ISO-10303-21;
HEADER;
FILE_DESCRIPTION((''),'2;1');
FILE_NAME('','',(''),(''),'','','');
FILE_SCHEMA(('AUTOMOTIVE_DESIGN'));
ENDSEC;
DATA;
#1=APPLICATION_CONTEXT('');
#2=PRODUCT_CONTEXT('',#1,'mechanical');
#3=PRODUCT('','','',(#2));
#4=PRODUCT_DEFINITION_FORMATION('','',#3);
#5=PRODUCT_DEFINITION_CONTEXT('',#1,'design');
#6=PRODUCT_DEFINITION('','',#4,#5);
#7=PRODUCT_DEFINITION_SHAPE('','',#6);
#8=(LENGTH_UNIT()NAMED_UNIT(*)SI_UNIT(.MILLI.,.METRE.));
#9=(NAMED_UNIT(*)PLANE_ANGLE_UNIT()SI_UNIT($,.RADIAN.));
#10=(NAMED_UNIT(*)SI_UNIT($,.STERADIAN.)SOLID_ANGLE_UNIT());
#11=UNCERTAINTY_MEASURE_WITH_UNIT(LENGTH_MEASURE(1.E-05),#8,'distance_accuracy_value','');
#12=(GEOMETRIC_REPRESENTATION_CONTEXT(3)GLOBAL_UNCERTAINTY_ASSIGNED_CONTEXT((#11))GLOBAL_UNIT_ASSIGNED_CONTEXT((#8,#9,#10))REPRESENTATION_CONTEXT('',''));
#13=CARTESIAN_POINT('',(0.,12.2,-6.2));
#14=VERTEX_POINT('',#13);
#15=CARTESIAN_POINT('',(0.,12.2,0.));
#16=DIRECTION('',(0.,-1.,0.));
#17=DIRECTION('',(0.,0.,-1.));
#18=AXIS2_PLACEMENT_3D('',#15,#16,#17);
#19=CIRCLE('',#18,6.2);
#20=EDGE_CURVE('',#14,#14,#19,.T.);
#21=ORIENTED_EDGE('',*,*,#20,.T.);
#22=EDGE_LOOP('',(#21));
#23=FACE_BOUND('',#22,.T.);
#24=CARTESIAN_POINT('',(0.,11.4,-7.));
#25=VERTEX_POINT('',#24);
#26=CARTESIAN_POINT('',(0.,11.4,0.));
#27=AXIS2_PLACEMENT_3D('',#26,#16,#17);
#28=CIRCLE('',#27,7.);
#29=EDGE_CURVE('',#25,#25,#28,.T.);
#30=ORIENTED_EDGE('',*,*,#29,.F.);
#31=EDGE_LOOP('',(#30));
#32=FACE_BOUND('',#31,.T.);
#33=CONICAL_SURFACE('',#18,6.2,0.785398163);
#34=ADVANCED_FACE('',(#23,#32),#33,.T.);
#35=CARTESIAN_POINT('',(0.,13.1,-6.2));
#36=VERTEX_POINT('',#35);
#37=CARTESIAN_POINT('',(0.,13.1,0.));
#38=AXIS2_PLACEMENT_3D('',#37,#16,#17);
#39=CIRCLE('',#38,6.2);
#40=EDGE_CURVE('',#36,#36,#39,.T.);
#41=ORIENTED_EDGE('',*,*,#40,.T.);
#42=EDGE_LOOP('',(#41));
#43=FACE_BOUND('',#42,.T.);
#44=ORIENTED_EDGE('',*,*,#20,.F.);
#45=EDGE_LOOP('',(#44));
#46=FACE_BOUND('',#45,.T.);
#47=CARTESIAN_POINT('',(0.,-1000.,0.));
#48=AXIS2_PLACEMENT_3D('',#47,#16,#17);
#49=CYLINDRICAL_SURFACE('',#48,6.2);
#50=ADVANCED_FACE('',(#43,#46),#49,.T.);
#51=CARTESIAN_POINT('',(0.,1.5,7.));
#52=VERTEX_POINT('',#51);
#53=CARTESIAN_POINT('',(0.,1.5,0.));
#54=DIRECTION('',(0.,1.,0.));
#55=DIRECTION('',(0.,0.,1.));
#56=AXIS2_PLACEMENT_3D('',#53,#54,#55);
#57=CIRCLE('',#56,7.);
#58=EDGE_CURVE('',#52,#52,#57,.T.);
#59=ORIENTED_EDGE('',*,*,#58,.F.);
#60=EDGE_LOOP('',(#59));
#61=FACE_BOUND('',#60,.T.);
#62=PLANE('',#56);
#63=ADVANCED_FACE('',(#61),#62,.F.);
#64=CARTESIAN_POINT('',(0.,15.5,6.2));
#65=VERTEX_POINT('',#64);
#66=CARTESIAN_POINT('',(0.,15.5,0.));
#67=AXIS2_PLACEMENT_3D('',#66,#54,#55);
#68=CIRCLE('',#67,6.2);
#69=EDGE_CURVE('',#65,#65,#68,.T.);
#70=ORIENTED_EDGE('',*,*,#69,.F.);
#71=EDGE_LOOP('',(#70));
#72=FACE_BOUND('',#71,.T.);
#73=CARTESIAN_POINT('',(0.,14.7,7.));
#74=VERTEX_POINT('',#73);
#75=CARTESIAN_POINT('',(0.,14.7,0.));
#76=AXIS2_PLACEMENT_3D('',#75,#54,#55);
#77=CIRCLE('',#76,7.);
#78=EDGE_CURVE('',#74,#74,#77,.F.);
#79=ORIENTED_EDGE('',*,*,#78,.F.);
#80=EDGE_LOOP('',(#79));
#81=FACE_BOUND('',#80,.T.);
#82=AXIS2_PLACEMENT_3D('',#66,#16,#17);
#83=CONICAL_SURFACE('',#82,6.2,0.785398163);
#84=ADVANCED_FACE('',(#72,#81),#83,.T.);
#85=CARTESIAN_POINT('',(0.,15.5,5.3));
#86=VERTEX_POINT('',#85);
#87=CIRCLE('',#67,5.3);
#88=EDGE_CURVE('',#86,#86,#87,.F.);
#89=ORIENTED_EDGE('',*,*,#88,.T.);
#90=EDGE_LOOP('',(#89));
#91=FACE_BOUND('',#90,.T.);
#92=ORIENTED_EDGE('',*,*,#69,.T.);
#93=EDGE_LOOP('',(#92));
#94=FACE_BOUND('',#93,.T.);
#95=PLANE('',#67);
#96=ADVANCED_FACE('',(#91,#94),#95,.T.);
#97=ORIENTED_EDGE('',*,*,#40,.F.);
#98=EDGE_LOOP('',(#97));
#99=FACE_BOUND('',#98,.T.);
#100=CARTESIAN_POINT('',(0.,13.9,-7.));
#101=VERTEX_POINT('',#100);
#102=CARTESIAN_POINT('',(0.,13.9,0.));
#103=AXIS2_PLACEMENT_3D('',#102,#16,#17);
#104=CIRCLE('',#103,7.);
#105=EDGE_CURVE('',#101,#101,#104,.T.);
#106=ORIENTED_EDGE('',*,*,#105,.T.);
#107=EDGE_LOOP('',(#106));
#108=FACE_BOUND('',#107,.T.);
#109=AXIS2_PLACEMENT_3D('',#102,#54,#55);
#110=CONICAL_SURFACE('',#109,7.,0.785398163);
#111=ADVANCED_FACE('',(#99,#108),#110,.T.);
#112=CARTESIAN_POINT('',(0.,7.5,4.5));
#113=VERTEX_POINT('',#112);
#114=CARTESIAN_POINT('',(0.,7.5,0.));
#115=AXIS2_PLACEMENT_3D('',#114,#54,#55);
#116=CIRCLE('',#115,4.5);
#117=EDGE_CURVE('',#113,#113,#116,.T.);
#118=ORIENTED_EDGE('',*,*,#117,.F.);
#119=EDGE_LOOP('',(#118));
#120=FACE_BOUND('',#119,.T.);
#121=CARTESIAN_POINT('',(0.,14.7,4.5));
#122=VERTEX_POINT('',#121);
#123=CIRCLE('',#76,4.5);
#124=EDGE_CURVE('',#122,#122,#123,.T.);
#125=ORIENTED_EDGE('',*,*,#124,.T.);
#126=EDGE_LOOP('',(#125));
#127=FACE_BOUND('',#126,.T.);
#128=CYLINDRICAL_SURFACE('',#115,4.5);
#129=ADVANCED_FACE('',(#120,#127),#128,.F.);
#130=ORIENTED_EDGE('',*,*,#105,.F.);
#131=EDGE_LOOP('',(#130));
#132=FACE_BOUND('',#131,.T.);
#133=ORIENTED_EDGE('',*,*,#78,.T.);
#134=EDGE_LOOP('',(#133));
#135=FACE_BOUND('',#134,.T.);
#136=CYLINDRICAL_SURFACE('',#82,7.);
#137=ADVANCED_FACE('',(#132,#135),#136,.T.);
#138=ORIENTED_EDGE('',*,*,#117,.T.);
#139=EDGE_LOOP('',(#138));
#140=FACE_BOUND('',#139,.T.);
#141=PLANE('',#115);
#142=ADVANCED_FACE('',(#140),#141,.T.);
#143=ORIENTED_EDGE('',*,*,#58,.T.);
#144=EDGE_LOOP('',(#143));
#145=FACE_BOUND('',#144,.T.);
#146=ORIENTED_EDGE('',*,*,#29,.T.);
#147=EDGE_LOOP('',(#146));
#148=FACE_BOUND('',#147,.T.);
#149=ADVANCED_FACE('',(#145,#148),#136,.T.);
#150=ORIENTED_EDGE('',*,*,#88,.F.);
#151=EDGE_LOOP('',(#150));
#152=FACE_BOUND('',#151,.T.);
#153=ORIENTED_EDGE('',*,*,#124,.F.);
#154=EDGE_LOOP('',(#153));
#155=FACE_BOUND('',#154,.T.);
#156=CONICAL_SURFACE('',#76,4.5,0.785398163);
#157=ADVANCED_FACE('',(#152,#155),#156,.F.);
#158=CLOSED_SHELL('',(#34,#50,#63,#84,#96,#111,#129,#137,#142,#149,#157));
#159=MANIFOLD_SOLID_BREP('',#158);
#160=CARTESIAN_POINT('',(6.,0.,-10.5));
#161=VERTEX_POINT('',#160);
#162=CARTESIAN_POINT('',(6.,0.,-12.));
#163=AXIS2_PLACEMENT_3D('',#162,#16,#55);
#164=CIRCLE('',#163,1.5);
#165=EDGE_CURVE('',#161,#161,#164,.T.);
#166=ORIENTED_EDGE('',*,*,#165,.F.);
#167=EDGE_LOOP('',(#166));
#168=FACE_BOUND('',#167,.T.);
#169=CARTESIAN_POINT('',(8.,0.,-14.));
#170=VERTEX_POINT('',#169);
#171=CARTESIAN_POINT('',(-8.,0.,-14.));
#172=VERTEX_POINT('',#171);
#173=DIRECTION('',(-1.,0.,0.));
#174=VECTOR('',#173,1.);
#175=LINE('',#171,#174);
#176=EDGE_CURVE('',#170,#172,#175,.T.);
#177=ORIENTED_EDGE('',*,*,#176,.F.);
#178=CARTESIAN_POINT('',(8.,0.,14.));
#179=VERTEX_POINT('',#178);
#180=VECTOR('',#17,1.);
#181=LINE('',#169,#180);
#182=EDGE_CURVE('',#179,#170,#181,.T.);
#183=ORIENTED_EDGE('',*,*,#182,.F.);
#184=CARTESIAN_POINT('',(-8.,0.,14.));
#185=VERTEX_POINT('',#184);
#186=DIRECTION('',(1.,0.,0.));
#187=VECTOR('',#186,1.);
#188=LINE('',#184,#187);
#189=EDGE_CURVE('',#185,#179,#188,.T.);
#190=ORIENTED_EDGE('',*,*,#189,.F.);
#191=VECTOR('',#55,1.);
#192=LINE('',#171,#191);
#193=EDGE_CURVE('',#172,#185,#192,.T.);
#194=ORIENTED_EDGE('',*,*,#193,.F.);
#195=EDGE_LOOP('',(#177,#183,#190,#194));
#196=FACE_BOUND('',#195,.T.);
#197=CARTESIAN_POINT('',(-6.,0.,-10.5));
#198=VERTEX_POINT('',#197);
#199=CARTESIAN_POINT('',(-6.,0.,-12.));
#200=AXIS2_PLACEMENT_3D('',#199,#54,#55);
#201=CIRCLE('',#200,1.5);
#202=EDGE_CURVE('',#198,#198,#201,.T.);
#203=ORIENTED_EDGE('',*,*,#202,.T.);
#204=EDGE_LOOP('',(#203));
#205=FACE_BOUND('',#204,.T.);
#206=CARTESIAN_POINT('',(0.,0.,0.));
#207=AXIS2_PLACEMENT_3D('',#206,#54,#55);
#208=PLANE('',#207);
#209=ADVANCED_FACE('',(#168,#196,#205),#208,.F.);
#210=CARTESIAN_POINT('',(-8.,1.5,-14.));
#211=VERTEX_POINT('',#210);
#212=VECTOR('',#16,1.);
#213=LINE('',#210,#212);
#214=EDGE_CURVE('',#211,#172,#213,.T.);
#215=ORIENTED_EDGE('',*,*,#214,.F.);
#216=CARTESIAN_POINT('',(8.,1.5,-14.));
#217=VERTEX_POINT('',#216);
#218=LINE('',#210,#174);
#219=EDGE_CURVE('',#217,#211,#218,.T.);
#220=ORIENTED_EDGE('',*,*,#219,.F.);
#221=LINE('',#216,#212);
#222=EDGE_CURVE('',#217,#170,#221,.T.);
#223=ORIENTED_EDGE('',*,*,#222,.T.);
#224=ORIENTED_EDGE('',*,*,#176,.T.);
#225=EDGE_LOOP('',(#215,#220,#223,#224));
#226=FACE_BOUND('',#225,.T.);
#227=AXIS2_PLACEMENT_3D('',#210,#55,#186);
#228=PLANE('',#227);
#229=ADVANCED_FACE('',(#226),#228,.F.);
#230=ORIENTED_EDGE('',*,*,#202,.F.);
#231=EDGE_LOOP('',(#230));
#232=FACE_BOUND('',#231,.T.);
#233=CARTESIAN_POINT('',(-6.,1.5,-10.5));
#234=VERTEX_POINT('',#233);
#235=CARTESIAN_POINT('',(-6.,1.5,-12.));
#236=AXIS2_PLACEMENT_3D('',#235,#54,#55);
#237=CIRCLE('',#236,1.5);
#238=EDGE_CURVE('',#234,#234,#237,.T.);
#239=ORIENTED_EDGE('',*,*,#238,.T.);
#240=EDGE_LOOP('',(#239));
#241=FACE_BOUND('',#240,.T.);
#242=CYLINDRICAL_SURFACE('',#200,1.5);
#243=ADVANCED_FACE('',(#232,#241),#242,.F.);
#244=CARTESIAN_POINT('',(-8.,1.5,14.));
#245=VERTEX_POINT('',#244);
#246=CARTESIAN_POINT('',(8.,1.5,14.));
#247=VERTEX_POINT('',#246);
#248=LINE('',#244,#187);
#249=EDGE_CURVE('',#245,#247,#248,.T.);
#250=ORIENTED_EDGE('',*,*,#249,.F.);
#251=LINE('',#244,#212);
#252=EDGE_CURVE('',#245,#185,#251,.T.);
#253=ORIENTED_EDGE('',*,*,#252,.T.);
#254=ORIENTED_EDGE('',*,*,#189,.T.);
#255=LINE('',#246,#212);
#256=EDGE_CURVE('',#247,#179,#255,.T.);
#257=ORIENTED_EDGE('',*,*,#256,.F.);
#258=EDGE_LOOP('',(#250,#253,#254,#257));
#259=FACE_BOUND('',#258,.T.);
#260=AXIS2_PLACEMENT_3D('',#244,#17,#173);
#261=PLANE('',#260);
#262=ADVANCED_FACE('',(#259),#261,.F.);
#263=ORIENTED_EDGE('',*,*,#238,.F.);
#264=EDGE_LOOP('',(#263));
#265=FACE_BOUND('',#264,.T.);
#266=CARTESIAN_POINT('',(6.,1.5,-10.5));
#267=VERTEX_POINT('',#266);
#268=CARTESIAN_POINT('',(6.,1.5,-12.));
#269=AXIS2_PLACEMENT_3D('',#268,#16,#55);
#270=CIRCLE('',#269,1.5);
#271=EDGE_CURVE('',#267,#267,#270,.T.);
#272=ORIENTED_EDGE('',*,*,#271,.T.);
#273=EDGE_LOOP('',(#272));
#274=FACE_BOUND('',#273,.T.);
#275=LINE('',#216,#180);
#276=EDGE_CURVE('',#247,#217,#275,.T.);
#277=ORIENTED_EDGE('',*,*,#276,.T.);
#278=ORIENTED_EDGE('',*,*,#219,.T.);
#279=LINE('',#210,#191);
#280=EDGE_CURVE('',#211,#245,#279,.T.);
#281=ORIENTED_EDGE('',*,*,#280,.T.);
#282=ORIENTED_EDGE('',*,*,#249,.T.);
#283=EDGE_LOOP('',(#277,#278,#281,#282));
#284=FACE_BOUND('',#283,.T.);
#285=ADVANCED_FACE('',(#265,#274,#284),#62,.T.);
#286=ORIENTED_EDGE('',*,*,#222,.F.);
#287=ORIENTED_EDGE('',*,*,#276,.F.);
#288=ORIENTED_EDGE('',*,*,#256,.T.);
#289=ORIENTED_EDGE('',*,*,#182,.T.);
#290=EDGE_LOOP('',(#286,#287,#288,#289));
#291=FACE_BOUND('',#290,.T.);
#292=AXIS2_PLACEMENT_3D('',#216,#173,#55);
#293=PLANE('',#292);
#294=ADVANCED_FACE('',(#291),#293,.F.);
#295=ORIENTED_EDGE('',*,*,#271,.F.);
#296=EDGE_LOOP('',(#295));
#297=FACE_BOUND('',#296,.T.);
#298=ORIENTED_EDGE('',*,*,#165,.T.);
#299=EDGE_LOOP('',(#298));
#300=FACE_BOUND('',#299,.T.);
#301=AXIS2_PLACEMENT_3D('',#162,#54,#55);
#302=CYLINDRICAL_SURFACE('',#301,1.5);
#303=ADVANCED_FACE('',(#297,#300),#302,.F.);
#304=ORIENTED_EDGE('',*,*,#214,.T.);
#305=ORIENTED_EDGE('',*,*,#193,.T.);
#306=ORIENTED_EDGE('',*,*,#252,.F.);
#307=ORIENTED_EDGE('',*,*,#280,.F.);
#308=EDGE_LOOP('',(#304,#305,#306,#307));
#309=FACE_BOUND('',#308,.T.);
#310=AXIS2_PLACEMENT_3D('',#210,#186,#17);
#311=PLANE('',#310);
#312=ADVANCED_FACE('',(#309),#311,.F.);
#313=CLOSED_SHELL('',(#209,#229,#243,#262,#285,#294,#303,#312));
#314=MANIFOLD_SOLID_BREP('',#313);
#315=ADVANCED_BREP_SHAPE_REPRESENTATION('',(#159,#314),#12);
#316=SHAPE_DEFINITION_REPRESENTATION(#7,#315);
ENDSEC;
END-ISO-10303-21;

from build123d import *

# Parameters (mm, degrees)
SKETCH1_W           = 16
SKETCH1_H           = 28
BOSS_EXTRUDE1_DEPTH = 1.5
SKETCH5_R           = 1.5
CUT_EXTRUDE2_DEPTH  = 17.194134741
SKETCH2_R           = 7
BOSS_EXTRUDE2_DEPTH = 14
CHAMFER1_SIZE       = 0.8
SKETCH4_R           = 4.5
CUT_EXTRUDE1_DEPTH  = 8
CHAMFER2_SIZE       = 0.8


with BuildPart() as part:
    # Sketch1 → Boss-Extrude1 (new body)
    with BuildSketch(Plane(origin=(0, 0, 0), x_dir=(1, 0, 0), z_dir=(0, 1, 0))):
        Rectangle(SKETCH1_W, SKETCH1_H)
    extrude(amount=BOSS_EXTRUDE1_DEPTH)

    # Sketch5 → Cut-Extrude2 (cut, through all)
    with BuildSketch(Plane(origin=(0, 1.5, 0), x_dir=(1, 0, 0), z_dir=(0, 1, 0))):
        with Locations(Location((-6, 12, 0), (0, 0, 270))):
            Circle(SKETCH5_R)
    cut_extrude2 = extrude(amount=-CUT_EXTRUDE2_DEPTH, mode=Mode.SUBTRACT)

    # Mirror1: Cut-Extrude2 across plane
    add(cut_extrude2.mirror(Plane(origin=(0, 0, 0), x_dir=(0, 0, 1), z_dir=(1, 0, 0))), mode=Mode.SUBTRACT)


with BuildPart() as body_2:
    # Sketch2 → Boss-Extrude2 (new body)
    with BuildSketch(Plane(origin=(0, 1.5, 0), x_dir=(1, 0, 0), z_dir=(0, 1, 0))):
        with Locations(Location((0, 0, 0), (0, 0, 270))):
            Circle(SKETCH2_R)
    extrude(amount=BOSS_EXTRUDE2_DEPTH)

    # Chamfer1
    chamfer1_edges = [body_2.edges().sort_by_distance(p)[0] for p in [
        (0, 15.5, -7),
    ]]
    chamfer(chamfer1_edges, length=CHAMFER1_SIZE)

    # Sketch3 → Cut-Revolve1 (revolve, cut)
    with BuildSketch(Plane(origin=(0, 0, 0), x_dir=(0, 0, -1), z_dir=(1, 0, 0))):
        Polygon((7, 13.9), (6.2, 13.1), (6.2, 12.2), (7, 11.4), align=None)
    revolve(axis=Axis((0, -1000, 0), (0, 1, 0)), mode=Mode.SUBTRACT)

    # Sketch4 → Cut-Extrude1 (cut)
    with BuildSketch(Plane(origin=(0, 15.5, 0), x_dir=(1, 0, 0), z_dir=(0, 1, 0))):
        with Locations(Location((0, 0, 0), (0, 0, 270))):
            Circle(SKETCH4_R)
    extrude(amount=-CUT_EXTRUDE1_DEPTH, mode=Mode.SUBTRACT)

    # Chamfer2
    chamfer2_edges = [body_2.edges().sort_by_distance(p)[0] for p in [
        (0, 15.5, -4.5),
    ]]
    chamfer(chamfer2_edges, length=CHAMFER2_SIZE)


solid = Compound([part.part, body_2.part])
